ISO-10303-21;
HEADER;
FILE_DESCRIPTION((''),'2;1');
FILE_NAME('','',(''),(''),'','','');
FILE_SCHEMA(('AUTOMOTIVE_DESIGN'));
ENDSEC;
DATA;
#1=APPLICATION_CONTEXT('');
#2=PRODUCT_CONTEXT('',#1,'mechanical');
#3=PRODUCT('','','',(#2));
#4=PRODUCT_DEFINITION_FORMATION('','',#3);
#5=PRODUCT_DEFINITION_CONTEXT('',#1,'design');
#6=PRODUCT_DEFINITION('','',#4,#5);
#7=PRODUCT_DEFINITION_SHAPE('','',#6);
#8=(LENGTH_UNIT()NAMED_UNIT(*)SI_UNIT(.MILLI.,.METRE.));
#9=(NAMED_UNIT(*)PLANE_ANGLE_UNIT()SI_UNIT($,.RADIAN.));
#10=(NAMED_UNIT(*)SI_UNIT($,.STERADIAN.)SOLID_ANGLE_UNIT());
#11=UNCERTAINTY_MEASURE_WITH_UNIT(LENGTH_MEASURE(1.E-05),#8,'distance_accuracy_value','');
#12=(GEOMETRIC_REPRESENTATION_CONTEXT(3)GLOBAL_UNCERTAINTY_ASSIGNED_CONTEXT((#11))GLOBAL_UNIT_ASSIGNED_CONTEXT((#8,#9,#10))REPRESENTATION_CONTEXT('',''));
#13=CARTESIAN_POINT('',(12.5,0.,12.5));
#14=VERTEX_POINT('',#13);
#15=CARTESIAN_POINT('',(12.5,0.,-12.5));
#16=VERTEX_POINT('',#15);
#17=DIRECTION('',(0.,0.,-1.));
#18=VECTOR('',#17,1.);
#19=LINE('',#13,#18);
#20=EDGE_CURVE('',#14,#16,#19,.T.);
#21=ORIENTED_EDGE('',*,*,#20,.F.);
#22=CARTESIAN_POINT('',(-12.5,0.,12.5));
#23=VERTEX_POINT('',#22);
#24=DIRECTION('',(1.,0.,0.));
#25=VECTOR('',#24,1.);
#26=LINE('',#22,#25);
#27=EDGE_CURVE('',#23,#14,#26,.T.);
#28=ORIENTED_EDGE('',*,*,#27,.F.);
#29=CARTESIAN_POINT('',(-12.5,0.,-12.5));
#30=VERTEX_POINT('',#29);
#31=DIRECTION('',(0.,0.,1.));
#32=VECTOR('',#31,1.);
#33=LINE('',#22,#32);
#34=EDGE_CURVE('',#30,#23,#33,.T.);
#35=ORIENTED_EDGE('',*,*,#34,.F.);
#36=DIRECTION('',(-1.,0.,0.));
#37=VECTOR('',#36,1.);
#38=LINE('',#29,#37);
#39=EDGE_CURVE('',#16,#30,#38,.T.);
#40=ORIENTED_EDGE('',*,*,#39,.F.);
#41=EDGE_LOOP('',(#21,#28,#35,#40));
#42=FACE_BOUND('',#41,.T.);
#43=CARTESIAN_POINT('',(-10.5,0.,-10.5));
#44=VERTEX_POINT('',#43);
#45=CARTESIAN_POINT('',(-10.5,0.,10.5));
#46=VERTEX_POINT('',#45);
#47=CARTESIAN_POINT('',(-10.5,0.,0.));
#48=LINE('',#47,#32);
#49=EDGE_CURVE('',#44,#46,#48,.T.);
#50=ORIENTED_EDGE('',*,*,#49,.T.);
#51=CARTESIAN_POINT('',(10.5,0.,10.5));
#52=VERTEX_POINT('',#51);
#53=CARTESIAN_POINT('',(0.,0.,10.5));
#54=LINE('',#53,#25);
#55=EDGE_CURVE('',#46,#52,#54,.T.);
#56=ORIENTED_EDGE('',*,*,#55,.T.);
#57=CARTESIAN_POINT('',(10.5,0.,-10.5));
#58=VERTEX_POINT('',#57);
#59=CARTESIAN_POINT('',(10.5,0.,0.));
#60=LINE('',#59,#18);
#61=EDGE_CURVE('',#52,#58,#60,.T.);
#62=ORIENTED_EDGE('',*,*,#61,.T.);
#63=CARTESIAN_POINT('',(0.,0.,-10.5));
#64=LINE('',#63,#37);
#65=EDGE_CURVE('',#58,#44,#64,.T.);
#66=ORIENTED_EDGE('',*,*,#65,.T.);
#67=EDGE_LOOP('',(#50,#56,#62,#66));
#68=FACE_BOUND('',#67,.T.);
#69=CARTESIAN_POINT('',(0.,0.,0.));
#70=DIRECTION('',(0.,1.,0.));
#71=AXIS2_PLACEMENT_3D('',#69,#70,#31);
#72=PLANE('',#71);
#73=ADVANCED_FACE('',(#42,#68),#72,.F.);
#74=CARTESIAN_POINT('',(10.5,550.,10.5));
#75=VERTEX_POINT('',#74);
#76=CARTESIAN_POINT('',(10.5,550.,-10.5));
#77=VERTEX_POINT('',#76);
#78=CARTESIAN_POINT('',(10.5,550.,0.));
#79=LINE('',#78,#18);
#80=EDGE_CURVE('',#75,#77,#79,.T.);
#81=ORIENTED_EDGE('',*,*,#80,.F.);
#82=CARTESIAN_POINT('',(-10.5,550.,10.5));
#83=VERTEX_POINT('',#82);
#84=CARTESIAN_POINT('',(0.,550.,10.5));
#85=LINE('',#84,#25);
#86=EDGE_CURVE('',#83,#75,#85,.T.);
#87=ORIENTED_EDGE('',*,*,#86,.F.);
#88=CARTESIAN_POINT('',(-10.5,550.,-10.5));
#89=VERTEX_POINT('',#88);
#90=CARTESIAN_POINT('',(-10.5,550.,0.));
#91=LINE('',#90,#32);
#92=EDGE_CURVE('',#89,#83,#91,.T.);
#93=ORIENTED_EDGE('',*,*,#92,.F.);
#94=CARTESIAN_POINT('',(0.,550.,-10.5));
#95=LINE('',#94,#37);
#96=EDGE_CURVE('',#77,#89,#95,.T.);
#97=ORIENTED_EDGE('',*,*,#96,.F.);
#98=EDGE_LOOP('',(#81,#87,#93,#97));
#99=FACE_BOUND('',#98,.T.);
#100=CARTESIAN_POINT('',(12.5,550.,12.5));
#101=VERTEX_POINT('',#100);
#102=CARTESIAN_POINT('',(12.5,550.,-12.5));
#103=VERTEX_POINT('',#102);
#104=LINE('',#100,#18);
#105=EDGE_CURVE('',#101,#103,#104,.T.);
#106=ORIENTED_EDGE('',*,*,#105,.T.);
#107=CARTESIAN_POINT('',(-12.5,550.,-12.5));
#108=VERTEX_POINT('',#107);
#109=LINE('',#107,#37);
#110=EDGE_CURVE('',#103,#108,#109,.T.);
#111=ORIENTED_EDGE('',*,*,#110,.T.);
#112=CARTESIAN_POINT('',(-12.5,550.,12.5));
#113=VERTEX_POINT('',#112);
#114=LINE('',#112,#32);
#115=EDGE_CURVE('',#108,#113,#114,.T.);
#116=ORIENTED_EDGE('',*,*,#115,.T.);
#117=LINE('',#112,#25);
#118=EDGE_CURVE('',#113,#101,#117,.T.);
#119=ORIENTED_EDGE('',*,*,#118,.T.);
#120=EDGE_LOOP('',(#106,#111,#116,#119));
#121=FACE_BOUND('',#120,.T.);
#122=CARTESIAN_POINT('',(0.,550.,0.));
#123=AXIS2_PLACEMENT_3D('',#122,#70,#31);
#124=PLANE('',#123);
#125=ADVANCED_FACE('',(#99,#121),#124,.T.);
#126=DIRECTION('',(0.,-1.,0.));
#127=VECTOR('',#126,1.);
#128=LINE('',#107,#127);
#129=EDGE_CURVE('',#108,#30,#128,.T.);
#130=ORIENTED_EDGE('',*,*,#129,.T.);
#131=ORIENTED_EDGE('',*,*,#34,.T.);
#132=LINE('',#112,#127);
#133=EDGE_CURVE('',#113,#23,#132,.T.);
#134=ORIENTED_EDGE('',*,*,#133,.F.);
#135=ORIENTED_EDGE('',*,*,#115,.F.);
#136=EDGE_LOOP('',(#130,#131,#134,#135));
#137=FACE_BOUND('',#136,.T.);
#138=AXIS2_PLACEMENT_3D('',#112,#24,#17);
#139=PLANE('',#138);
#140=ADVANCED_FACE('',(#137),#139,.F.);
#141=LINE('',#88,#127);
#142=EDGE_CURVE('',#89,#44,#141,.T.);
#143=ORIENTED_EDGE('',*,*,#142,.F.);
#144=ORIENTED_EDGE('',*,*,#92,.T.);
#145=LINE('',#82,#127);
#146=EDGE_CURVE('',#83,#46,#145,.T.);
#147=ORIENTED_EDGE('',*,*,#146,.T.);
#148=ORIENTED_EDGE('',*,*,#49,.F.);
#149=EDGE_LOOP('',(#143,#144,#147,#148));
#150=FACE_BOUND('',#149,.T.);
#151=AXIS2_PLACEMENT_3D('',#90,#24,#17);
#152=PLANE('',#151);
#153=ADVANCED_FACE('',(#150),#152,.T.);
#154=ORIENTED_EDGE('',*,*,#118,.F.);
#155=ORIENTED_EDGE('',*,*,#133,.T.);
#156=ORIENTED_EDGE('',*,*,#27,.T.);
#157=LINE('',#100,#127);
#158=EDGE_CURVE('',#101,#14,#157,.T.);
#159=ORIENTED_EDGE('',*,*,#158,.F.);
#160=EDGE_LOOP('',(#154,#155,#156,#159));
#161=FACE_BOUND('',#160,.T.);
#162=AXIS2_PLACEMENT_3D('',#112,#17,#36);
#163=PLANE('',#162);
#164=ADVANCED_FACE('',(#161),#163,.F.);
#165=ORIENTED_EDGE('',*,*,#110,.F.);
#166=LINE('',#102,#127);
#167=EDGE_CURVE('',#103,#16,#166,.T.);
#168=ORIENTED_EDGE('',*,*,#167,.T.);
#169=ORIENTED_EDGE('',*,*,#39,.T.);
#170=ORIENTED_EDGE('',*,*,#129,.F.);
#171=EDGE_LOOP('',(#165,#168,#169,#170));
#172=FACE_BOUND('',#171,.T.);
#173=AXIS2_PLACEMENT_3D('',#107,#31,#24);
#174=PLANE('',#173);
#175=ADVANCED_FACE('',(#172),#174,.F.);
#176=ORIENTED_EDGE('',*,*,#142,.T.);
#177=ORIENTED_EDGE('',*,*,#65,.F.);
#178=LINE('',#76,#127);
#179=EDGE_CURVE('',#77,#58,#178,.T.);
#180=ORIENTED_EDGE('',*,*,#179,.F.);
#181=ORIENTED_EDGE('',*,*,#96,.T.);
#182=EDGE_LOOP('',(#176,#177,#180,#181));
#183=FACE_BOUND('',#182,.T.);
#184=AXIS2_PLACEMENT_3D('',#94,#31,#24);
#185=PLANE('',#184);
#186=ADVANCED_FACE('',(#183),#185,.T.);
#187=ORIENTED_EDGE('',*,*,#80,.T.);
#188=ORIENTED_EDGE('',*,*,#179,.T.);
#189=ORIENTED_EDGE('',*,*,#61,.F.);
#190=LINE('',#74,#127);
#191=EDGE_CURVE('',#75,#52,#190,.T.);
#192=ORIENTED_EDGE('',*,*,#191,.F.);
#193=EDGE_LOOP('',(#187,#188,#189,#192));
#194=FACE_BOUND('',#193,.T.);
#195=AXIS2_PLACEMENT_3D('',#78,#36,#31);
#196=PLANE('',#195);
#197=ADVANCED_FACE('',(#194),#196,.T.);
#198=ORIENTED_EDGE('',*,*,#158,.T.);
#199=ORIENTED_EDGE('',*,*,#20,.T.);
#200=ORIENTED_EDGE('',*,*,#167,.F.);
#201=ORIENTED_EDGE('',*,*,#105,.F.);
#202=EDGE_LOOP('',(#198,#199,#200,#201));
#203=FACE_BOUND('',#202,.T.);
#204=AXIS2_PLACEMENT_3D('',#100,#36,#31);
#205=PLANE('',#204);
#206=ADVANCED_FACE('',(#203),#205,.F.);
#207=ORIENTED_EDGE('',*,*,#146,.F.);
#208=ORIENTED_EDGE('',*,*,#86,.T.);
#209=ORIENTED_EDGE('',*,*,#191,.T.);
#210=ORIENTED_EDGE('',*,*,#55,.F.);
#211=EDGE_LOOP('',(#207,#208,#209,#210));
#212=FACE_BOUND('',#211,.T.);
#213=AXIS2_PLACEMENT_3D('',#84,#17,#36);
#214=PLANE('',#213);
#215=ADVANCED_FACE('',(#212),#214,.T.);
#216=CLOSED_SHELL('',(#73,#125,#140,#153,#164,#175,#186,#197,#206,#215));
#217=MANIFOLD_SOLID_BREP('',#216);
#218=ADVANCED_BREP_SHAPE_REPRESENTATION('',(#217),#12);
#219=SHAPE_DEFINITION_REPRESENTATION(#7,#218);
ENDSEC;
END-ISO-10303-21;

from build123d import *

# Parameters (mm, degrees)
SKETCH_1_W      = 25
SKETCH_1_H      = 25
SKETCH_1_W_2    = 21
SKETCH_1_H_2    = 21
EXTRUDE_1_DEPTH = 550


with BuildPart() as part:
    # Эскиз1 → Вытянуть-Тонкостенный1 (new body)
    with BuildSketch(Plane(origin=(0, 0, 0), x_dir=(1, 0, 0), z_dir=(0, 1, 0))):
        Rectangle(SKETCH_1_W, SKETCH_1_H)
        Rectangle(SKETCH_1_W_2, SKETCH_1_H_2, mode=Mode.SUBTRACT)
    extrude(amount=EXTRUDE_1_DEPTH)


solid = part.part
